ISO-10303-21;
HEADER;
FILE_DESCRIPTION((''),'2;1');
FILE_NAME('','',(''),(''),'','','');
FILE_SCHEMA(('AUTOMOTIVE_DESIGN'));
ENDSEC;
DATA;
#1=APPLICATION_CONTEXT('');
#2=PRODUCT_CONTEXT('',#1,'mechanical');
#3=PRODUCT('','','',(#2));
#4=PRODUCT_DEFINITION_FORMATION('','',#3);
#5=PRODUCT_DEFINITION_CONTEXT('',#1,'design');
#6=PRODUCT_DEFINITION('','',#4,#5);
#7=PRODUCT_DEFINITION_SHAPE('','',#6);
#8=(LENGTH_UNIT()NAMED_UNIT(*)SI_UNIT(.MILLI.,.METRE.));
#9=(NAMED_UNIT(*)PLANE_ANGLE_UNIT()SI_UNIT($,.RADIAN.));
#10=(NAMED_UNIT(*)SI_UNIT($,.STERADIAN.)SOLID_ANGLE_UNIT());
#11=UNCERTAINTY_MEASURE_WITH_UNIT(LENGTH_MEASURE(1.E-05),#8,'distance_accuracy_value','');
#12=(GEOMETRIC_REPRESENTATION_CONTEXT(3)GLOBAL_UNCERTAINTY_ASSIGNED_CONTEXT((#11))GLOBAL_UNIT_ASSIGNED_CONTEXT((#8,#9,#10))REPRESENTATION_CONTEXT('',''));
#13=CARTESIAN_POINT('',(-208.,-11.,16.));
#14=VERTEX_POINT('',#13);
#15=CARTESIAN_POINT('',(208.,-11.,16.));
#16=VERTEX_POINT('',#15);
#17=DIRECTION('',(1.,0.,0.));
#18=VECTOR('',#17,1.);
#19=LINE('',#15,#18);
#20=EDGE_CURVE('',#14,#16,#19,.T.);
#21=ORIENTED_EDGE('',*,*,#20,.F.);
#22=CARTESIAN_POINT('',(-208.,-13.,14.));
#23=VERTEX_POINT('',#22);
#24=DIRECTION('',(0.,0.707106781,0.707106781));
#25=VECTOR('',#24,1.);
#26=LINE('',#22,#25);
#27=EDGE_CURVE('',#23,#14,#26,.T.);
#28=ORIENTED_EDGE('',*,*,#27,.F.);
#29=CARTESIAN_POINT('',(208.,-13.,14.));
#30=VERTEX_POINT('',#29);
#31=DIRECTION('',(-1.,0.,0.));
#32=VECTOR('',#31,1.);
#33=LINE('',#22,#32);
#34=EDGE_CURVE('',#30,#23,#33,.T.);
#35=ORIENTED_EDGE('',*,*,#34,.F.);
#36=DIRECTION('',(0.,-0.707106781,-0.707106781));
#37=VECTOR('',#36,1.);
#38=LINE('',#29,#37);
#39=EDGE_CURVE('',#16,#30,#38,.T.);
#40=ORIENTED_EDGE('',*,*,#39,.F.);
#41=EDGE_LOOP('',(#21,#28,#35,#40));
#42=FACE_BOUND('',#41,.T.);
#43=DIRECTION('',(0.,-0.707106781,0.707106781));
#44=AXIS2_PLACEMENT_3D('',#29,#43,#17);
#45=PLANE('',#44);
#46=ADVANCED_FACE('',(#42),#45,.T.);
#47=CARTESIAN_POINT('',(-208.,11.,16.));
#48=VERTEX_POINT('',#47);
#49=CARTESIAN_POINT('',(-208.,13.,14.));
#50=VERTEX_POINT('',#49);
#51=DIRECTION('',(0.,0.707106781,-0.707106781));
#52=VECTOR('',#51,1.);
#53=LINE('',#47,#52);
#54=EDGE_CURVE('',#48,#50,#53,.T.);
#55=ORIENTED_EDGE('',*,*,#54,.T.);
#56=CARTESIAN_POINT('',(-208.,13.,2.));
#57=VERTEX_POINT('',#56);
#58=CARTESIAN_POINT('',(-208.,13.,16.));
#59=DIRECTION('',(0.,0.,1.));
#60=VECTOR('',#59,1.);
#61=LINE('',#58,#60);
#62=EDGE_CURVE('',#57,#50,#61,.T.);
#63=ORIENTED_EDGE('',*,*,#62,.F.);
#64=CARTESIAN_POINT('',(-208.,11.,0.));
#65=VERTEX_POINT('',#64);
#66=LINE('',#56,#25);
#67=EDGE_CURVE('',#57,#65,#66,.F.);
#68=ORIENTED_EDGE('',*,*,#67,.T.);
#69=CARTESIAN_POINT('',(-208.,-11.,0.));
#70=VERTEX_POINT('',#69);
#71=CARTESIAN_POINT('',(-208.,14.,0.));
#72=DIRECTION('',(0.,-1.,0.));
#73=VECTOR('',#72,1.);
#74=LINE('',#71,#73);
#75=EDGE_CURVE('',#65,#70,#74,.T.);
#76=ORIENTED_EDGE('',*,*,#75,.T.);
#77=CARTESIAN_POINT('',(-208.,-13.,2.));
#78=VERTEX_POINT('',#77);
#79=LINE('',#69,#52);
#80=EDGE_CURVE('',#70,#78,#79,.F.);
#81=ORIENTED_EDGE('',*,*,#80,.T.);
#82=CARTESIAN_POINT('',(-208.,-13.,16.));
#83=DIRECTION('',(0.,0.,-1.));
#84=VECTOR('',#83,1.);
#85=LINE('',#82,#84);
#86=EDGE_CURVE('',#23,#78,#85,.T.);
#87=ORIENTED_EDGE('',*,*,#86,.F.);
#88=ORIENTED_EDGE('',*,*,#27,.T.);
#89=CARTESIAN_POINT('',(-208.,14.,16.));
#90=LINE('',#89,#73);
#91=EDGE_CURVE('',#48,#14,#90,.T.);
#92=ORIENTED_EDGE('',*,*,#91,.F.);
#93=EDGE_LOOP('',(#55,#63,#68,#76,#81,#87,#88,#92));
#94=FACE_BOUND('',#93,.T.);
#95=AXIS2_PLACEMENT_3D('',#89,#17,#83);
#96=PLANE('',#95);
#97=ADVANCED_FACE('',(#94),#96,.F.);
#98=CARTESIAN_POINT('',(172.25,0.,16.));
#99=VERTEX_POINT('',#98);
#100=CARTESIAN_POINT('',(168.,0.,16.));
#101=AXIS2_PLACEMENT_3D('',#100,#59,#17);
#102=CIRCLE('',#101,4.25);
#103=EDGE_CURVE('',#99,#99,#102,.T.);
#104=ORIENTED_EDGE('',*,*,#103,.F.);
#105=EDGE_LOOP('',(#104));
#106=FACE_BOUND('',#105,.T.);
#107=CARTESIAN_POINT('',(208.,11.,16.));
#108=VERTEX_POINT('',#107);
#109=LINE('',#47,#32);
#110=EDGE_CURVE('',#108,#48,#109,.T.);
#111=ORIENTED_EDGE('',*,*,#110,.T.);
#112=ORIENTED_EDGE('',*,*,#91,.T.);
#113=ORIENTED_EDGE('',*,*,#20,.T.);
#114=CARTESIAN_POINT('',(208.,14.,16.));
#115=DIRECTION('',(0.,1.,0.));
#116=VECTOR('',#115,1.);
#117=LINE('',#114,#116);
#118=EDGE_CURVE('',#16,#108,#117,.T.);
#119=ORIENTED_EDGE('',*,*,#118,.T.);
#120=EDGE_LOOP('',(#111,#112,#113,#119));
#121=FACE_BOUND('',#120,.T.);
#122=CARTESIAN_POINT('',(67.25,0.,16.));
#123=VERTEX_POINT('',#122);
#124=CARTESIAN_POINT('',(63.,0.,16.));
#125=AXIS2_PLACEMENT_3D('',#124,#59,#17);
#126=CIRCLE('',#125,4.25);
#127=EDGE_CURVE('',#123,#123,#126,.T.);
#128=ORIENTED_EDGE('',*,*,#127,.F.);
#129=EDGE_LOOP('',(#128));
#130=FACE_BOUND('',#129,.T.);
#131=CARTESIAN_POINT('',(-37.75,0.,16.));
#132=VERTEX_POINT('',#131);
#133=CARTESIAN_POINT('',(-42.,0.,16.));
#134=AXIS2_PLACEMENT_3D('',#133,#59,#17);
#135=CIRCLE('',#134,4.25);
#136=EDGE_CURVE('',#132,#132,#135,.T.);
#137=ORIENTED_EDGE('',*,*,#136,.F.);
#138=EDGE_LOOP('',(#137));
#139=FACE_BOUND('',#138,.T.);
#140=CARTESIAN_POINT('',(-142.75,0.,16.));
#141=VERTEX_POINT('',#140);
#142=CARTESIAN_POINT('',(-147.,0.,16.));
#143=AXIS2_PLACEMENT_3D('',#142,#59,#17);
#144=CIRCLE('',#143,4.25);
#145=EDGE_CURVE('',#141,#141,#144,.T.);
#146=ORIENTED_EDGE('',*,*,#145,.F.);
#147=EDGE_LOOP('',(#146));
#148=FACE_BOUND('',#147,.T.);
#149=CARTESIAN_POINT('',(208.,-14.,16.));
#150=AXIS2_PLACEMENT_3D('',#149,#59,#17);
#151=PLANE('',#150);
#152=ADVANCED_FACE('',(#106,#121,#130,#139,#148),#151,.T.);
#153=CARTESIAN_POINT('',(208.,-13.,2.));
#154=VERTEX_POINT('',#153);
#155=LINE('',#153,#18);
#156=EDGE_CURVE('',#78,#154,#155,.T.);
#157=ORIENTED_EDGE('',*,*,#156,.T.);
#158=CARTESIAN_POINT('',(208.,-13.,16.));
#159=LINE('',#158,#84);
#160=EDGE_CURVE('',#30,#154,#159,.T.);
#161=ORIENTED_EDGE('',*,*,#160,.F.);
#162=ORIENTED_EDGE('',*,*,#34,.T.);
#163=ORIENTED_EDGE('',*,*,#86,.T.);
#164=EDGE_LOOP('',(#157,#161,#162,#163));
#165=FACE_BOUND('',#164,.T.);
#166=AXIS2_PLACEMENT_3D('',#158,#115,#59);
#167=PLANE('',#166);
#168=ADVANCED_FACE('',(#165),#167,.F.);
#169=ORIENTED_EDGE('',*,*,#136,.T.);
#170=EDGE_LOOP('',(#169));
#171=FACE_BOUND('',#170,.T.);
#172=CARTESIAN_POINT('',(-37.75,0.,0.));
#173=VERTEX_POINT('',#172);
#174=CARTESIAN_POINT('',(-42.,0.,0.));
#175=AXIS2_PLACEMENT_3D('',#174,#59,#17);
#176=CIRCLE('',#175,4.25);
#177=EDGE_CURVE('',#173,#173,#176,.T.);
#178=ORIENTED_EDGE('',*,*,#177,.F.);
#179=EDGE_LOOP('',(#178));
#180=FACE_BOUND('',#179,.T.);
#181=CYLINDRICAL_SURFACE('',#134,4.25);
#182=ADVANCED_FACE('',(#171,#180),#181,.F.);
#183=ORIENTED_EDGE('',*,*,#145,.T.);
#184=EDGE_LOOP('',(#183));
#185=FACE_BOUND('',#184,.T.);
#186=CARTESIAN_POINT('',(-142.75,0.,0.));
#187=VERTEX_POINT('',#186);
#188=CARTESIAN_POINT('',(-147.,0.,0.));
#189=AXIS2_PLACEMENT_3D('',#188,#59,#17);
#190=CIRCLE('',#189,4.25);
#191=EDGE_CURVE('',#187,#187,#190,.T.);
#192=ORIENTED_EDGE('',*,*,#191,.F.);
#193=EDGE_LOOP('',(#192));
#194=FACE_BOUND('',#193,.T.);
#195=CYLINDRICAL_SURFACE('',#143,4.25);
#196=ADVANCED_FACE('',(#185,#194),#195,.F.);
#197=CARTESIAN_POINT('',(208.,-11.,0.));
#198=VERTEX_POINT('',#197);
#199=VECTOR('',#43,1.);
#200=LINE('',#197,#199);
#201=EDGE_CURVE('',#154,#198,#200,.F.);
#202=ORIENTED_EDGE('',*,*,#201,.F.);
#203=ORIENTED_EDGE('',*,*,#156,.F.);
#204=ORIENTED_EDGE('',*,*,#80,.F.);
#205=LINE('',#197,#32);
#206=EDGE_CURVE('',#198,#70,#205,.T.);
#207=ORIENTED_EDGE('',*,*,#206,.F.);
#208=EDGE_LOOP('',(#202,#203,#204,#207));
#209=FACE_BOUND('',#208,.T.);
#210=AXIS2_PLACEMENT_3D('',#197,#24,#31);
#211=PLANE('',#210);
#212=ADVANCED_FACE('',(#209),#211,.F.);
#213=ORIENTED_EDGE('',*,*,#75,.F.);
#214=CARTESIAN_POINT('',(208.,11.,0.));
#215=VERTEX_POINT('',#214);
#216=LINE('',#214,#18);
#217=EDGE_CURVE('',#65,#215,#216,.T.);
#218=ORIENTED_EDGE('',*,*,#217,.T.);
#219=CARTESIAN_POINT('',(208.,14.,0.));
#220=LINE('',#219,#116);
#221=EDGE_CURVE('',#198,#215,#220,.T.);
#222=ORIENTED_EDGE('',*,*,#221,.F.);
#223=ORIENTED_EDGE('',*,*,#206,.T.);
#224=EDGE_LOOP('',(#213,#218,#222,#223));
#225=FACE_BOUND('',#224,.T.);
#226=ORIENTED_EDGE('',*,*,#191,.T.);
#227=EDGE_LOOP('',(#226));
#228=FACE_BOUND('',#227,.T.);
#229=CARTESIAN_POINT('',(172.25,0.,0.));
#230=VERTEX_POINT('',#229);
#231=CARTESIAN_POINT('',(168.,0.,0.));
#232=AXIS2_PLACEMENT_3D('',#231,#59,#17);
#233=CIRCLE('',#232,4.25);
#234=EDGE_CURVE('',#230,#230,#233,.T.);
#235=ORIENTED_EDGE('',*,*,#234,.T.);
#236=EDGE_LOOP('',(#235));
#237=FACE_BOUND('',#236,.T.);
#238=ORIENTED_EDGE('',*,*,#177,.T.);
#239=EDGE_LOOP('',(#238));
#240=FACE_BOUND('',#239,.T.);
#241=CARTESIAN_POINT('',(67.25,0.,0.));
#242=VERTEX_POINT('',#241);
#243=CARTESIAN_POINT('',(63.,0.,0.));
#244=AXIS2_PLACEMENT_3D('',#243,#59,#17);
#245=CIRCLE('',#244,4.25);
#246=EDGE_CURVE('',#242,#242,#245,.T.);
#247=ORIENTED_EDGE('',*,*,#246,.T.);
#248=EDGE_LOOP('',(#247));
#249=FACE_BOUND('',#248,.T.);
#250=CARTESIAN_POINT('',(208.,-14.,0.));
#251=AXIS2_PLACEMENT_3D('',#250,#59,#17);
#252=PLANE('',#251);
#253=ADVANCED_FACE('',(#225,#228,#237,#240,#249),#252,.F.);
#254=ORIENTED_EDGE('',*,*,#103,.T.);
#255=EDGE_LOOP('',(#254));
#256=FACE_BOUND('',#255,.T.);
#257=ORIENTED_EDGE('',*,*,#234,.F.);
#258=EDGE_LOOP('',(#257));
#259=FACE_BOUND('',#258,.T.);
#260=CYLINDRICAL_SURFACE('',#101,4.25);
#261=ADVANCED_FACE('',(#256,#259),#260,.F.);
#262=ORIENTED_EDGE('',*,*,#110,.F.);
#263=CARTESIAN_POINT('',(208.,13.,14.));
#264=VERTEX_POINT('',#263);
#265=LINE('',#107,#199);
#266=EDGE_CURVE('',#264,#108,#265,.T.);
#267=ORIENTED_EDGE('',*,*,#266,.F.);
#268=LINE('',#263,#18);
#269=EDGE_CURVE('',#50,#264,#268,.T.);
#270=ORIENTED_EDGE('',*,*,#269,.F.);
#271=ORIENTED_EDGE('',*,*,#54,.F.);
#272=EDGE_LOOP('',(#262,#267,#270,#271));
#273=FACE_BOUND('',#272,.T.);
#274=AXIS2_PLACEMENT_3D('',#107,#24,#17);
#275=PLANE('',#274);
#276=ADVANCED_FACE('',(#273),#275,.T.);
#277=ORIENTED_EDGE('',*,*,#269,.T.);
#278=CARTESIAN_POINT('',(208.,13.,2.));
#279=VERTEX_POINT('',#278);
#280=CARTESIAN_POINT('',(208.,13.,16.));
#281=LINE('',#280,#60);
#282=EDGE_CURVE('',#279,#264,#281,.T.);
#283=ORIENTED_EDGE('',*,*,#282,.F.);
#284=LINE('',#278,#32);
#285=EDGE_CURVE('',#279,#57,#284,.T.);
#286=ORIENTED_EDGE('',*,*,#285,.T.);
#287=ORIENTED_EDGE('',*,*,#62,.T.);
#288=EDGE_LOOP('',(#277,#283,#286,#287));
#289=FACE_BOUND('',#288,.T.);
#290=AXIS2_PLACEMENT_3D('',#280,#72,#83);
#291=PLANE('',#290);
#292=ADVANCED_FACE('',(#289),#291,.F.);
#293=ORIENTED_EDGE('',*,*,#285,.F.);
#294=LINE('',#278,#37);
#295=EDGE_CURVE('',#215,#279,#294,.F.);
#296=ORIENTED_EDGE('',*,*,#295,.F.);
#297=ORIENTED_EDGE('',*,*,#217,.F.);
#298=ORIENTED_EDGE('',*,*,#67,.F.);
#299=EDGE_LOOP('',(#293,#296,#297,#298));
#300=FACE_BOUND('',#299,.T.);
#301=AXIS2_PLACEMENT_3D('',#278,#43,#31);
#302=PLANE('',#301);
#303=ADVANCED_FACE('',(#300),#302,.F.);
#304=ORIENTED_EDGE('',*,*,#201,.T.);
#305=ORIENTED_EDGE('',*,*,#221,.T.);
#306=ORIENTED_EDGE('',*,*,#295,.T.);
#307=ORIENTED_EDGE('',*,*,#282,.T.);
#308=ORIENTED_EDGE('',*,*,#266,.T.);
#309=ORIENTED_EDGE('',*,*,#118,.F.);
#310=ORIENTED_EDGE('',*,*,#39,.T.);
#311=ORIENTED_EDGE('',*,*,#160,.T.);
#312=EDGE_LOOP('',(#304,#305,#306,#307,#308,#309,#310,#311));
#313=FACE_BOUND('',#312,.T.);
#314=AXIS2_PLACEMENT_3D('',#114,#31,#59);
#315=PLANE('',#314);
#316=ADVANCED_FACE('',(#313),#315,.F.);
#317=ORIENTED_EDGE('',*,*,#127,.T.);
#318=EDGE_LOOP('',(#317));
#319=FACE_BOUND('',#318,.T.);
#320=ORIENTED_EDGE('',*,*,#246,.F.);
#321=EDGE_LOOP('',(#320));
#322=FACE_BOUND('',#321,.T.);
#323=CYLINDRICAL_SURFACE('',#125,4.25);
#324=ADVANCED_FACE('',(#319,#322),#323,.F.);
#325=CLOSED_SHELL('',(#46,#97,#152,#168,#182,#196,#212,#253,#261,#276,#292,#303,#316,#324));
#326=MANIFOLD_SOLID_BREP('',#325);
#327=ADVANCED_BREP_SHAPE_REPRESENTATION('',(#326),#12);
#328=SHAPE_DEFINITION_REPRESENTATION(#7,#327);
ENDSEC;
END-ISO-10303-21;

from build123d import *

# Parameters (mm, degrees)
SKETCH_1_W          = 416
SKETCH_1_H          = 28
EXTRUDE_677_DEPTH   = 16
FILLET_1_R          = 0.8
CUT_EXTRUDE_1_DEPTH = 417.542914956
CHAMFER_1_SIZE      = 2
HOLE_WIZARD_M10_1_D = 8.5


with BuildPart() as part:
    # 草图1 → Extrude 677 (new body)
    with BuildSketch(Plane.XY):
        Rectangle(SKETCH_1_W, SKETCH_1_H)
    extrude(amount=EXTRUDE_677_DEPTH)

    # 圆角1
    fillet_1_edges = [part.edges().sort_by_distance(p)[0] for p in [
        (0, -14, 16),
        (0, -14, 0),
        (0, 14, 0),
        (0, 14, 16),
    ]]
    fillet(fillet_1_edges, radius=FILLET_1_R)

    # 草图2 → 切除-拉伸1 (cut, through all)
    with BuildSketch(Plane.ZY.offset(208)):
        with BuildLine():
            Line((16, 13), (0, 13))
            Line((0, 13), (0, 13.2))
            ThreePointArc((0, 13.2), (0.234314575, 13.765685425), (0.8, 14))
            Line((0.8, 14), (15.2, 14))
            ThreePointArc((15.2, 14), (15.765685425, 13.765685425), (16, 13.2))
            Line((16, 13.2), (16, 13))
        make_face()
        with BuildLine():
            Line((16, -13), (0, -13))
            Line((0, -13), (0, -13.2))
            ThreePointArc((0, -13.2), (0.234314575, -13.765685425), (0.8, -14))
            Line((0.8, -14), (15.2, -14))
            ThreePointArc((15.2, -14), (15.765685425, -13.765685425), (16, -13.2))
            Line((16, -13.2), (16, -13))
        make_face()
    extrude(amount=-CUT_EXTRUDE_1_DEPTH, mode=Mode.SUBTRACT)

    # 倒角1
    chamfer_1_edges = [part.edges().sort_by_distance(p)[0] for p in [
        (0, 13, 16),
        (0, 13, 0),
        (0, -13, 16),
        (0, -13, 0),
    ]]
    chamfer(chamfer_1_edges, length=CHAMFER_1_SIZE)

    # M10 螺纹孔1 (through all)
    with Locations(Plane.XY.offset(16)):
        with Locations((-147, 0), (-42, 0), (63, 0), (168, 0)):
            Hole(HOLE_WIZARD_M10_1_D / 2)


solid = part.part
